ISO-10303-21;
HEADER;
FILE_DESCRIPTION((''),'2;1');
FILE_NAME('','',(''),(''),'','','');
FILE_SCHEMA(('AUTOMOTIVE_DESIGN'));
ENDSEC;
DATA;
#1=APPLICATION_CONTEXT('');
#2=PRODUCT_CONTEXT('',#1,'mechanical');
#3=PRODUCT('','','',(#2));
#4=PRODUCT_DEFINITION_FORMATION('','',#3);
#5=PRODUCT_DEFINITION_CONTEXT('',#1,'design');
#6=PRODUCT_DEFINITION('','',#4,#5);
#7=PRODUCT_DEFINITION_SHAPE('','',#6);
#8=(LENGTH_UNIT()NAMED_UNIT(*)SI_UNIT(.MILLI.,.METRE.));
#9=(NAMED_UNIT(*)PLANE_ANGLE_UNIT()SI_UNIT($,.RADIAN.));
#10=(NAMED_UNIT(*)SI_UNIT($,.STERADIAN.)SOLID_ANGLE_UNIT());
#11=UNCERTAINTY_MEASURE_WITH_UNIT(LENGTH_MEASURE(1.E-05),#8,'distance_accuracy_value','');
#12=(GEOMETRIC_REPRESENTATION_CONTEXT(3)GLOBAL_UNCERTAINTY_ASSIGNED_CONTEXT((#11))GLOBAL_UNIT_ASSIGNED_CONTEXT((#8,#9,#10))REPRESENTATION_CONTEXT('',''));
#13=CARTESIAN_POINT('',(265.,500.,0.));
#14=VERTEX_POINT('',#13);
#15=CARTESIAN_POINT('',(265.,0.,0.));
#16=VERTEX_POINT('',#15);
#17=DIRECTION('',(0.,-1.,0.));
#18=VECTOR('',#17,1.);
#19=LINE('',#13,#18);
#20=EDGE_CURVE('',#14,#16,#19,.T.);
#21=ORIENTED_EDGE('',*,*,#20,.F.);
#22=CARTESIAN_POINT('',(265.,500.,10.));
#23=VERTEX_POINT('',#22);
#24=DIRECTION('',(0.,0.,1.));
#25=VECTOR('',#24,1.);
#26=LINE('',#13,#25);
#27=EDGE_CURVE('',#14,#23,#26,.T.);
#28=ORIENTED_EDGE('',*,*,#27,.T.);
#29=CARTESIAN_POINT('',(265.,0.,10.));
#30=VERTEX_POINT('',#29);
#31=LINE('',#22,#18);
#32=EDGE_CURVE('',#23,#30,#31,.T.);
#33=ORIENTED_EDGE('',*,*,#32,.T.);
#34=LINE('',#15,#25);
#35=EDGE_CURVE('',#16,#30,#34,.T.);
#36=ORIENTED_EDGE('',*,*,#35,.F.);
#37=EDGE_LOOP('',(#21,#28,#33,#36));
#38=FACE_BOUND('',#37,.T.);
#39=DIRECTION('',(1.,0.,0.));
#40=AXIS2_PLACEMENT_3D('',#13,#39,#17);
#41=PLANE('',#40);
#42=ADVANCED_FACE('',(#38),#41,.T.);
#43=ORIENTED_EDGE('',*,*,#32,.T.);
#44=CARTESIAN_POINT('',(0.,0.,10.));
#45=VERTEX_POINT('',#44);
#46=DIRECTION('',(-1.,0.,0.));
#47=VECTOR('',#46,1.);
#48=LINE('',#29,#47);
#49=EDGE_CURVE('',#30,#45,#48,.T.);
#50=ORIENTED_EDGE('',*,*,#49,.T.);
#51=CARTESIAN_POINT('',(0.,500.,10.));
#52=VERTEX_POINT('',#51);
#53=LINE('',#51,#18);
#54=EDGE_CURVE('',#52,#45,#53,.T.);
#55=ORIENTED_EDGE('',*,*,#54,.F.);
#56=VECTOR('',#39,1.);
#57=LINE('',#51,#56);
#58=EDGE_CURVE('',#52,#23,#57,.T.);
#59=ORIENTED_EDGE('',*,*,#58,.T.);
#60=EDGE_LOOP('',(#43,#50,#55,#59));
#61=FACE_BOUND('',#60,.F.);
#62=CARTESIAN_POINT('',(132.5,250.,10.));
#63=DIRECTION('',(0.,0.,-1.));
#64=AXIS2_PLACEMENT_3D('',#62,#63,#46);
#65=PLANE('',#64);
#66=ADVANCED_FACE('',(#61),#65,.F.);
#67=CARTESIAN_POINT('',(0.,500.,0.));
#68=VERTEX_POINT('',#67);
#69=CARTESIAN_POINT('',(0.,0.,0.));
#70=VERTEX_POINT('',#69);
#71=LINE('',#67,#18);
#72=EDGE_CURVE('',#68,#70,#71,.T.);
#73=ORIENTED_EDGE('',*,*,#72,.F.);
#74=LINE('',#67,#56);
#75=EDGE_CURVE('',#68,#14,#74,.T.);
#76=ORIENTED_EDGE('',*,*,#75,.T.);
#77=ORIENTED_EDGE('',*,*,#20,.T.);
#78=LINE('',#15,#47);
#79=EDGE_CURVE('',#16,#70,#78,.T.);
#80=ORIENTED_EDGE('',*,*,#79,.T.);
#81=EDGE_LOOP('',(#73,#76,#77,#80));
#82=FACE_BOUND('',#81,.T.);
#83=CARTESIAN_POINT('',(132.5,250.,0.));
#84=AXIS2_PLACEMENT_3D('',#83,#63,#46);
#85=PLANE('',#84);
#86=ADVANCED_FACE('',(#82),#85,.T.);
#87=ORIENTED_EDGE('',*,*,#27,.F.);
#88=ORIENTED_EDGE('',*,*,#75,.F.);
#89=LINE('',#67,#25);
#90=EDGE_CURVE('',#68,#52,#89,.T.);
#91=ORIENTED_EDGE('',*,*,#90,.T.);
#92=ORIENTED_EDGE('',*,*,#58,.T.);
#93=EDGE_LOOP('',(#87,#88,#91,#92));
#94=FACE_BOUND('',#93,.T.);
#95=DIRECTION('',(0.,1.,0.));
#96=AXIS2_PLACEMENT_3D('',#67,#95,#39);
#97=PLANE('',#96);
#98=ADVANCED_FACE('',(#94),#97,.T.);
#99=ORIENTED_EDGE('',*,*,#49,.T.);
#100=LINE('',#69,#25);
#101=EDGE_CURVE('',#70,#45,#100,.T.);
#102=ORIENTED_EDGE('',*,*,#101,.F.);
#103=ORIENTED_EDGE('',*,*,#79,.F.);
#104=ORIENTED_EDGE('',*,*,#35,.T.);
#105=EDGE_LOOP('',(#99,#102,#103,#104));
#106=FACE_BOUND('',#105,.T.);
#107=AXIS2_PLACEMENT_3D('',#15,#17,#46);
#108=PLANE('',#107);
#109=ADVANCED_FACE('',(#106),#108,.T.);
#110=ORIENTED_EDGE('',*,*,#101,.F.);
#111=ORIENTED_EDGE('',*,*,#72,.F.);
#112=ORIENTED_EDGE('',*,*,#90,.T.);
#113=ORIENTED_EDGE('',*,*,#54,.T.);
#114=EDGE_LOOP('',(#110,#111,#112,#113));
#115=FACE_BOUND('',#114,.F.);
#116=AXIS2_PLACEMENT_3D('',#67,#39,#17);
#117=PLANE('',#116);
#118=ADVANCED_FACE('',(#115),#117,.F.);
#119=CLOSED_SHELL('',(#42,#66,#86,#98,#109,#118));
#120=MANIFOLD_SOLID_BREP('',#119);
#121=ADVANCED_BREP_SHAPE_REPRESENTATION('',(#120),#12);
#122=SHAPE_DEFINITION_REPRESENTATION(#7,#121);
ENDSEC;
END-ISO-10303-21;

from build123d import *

# Parameters (mm, degrees)
PAD_DEPTH = 10


with BuildPart() as part:
    # Sketch → Pad (new body)
    with BuildSketch(Plane.XY):
        Polygon((0, 500), (265, 500), (265, 0), (0, 0), (0, 250), align=None)
    extrude(amount=PAD_DEPTH)


solid = part.part
